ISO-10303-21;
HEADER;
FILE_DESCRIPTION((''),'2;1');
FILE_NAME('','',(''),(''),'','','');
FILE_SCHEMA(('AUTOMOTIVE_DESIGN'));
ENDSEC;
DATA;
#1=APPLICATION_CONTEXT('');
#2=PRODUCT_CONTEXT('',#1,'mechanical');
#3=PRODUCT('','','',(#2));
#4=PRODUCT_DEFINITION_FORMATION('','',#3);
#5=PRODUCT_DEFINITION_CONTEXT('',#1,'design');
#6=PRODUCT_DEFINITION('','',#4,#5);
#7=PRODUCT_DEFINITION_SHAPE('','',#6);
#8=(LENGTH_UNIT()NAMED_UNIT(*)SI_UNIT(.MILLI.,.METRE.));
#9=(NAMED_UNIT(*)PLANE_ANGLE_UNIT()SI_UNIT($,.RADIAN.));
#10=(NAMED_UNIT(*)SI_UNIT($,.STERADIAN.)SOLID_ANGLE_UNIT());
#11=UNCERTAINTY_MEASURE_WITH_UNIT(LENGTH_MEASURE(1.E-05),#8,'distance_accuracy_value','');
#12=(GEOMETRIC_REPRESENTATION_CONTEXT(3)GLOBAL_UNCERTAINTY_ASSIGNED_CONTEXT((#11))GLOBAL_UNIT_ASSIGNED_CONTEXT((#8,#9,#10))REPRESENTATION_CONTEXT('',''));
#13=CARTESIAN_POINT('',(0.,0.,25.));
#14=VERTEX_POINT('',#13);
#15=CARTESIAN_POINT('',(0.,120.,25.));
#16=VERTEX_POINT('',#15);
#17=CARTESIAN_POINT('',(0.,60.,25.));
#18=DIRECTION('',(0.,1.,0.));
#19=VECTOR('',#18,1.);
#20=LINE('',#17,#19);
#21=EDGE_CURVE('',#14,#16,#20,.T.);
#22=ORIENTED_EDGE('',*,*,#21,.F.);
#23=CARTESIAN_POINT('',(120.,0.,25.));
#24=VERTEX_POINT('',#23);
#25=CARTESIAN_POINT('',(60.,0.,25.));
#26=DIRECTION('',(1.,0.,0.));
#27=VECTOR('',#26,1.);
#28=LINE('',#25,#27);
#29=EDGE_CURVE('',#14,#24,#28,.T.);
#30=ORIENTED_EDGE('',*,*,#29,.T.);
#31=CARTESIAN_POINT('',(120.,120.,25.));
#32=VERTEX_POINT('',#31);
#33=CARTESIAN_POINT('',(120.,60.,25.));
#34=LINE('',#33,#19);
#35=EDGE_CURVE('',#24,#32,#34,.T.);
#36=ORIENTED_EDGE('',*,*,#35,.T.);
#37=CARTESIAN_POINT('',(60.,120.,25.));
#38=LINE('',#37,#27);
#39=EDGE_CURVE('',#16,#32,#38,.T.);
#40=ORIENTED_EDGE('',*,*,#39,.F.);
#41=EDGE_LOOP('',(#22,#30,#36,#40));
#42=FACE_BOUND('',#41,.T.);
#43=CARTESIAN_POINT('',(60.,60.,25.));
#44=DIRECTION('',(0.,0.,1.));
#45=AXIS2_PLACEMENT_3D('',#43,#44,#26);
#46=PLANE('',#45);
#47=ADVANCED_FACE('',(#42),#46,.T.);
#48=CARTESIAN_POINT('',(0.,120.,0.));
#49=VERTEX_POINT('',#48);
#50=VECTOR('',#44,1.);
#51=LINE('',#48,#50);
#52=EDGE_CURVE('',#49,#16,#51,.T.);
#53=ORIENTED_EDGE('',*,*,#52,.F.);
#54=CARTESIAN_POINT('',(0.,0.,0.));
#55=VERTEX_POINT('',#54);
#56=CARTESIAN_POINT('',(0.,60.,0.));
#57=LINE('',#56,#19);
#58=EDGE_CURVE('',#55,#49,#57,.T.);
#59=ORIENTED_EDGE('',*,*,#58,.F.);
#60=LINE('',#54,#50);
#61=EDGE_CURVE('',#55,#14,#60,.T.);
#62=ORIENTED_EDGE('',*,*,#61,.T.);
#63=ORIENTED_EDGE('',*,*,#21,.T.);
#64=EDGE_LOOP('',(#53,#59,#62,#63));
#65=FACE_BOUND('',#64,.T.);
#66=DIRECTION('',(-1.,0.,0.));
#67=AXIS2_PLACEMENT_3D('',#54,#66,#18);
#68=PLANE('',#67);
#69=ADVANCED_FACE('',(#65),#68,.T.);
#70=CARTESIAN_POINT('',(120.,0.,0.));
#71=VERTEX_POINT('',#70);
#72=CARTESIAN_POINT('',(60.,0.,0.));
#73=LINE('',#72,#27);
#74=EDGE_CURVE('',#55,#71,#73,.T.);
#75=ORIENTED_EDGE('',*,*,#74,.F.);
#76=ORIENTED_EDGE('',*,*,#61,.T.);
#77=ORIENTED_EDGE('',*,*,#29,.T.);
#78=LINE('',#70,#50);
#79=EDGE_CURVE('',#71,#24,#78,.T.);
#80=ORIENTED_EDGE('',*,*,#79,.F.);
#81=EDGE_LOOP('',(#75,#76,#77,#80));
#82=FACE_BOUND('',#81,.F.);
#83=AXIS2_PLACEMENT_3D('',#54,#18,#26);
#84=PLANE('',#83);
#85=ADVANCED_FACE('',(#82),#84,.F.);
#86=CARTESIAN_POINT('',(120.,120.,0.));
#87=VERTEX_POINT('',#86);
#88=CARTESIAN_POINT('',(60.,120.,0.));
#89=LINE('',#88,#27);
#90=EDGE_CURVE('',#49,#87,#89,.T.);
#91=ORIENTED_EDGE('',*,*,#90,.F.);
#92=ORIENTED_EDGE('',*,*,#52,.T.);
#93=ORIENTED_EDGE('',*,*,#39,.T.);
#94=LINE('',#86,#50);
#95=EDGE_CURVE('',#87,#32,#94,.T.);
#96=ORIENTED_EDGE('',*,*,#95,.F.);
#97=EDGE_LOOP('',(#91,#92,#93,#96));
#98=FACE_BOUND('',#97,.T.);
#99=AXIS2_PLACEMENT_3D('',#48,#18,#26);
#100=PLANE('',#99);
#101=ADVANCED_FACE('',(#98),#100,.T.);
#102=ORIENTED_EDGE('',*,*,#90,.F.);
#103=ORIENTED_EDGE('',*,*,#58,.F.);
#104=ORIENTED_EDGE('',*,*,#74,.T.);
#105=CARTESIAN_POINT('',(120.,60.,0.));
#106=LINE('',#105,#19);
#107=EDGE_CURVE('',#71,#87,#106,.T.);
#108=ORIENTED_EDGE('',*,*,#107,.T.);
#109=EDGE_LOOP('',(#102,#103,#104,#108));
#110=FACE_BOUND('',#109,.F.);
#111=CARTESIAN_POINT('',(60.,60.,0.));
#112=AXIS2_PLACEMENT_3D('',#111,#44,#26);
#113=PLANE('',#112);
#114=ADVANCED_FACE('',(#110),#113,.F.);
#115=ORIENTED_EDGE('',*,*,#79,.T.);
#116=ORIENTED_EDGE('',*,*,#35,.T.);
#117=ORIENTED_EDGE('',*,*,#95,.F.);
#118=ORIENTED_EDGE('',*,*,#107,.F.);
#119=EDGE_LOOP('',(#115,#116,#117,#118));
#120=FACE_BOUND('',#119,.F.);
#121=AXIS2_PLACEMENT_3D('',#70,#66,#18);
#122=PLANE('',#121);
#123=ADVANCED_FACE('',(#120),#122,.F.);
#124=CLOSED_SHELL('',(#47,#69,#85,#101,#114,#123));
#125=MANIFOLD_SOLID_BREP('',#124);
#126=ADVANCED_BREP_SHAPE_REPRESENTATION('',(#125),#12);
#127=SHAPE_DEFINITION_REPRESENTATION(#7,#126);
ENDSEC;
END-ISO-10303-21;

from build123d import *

# Parameters (mm, degrees)
SKETCH_W  = 120
SKETCH_H  = 120
PAD_DEPTH = 25


with BuildPart() as part:
    # Sketch → Pad (new body)
    with BuildSketch(Plane.XY):
        with Locations((60, 60)):
            Rectangle(SKETCH_W, SKETCH_H)
    extrude(amount=PAD_DEPTH)


solid = part.part
